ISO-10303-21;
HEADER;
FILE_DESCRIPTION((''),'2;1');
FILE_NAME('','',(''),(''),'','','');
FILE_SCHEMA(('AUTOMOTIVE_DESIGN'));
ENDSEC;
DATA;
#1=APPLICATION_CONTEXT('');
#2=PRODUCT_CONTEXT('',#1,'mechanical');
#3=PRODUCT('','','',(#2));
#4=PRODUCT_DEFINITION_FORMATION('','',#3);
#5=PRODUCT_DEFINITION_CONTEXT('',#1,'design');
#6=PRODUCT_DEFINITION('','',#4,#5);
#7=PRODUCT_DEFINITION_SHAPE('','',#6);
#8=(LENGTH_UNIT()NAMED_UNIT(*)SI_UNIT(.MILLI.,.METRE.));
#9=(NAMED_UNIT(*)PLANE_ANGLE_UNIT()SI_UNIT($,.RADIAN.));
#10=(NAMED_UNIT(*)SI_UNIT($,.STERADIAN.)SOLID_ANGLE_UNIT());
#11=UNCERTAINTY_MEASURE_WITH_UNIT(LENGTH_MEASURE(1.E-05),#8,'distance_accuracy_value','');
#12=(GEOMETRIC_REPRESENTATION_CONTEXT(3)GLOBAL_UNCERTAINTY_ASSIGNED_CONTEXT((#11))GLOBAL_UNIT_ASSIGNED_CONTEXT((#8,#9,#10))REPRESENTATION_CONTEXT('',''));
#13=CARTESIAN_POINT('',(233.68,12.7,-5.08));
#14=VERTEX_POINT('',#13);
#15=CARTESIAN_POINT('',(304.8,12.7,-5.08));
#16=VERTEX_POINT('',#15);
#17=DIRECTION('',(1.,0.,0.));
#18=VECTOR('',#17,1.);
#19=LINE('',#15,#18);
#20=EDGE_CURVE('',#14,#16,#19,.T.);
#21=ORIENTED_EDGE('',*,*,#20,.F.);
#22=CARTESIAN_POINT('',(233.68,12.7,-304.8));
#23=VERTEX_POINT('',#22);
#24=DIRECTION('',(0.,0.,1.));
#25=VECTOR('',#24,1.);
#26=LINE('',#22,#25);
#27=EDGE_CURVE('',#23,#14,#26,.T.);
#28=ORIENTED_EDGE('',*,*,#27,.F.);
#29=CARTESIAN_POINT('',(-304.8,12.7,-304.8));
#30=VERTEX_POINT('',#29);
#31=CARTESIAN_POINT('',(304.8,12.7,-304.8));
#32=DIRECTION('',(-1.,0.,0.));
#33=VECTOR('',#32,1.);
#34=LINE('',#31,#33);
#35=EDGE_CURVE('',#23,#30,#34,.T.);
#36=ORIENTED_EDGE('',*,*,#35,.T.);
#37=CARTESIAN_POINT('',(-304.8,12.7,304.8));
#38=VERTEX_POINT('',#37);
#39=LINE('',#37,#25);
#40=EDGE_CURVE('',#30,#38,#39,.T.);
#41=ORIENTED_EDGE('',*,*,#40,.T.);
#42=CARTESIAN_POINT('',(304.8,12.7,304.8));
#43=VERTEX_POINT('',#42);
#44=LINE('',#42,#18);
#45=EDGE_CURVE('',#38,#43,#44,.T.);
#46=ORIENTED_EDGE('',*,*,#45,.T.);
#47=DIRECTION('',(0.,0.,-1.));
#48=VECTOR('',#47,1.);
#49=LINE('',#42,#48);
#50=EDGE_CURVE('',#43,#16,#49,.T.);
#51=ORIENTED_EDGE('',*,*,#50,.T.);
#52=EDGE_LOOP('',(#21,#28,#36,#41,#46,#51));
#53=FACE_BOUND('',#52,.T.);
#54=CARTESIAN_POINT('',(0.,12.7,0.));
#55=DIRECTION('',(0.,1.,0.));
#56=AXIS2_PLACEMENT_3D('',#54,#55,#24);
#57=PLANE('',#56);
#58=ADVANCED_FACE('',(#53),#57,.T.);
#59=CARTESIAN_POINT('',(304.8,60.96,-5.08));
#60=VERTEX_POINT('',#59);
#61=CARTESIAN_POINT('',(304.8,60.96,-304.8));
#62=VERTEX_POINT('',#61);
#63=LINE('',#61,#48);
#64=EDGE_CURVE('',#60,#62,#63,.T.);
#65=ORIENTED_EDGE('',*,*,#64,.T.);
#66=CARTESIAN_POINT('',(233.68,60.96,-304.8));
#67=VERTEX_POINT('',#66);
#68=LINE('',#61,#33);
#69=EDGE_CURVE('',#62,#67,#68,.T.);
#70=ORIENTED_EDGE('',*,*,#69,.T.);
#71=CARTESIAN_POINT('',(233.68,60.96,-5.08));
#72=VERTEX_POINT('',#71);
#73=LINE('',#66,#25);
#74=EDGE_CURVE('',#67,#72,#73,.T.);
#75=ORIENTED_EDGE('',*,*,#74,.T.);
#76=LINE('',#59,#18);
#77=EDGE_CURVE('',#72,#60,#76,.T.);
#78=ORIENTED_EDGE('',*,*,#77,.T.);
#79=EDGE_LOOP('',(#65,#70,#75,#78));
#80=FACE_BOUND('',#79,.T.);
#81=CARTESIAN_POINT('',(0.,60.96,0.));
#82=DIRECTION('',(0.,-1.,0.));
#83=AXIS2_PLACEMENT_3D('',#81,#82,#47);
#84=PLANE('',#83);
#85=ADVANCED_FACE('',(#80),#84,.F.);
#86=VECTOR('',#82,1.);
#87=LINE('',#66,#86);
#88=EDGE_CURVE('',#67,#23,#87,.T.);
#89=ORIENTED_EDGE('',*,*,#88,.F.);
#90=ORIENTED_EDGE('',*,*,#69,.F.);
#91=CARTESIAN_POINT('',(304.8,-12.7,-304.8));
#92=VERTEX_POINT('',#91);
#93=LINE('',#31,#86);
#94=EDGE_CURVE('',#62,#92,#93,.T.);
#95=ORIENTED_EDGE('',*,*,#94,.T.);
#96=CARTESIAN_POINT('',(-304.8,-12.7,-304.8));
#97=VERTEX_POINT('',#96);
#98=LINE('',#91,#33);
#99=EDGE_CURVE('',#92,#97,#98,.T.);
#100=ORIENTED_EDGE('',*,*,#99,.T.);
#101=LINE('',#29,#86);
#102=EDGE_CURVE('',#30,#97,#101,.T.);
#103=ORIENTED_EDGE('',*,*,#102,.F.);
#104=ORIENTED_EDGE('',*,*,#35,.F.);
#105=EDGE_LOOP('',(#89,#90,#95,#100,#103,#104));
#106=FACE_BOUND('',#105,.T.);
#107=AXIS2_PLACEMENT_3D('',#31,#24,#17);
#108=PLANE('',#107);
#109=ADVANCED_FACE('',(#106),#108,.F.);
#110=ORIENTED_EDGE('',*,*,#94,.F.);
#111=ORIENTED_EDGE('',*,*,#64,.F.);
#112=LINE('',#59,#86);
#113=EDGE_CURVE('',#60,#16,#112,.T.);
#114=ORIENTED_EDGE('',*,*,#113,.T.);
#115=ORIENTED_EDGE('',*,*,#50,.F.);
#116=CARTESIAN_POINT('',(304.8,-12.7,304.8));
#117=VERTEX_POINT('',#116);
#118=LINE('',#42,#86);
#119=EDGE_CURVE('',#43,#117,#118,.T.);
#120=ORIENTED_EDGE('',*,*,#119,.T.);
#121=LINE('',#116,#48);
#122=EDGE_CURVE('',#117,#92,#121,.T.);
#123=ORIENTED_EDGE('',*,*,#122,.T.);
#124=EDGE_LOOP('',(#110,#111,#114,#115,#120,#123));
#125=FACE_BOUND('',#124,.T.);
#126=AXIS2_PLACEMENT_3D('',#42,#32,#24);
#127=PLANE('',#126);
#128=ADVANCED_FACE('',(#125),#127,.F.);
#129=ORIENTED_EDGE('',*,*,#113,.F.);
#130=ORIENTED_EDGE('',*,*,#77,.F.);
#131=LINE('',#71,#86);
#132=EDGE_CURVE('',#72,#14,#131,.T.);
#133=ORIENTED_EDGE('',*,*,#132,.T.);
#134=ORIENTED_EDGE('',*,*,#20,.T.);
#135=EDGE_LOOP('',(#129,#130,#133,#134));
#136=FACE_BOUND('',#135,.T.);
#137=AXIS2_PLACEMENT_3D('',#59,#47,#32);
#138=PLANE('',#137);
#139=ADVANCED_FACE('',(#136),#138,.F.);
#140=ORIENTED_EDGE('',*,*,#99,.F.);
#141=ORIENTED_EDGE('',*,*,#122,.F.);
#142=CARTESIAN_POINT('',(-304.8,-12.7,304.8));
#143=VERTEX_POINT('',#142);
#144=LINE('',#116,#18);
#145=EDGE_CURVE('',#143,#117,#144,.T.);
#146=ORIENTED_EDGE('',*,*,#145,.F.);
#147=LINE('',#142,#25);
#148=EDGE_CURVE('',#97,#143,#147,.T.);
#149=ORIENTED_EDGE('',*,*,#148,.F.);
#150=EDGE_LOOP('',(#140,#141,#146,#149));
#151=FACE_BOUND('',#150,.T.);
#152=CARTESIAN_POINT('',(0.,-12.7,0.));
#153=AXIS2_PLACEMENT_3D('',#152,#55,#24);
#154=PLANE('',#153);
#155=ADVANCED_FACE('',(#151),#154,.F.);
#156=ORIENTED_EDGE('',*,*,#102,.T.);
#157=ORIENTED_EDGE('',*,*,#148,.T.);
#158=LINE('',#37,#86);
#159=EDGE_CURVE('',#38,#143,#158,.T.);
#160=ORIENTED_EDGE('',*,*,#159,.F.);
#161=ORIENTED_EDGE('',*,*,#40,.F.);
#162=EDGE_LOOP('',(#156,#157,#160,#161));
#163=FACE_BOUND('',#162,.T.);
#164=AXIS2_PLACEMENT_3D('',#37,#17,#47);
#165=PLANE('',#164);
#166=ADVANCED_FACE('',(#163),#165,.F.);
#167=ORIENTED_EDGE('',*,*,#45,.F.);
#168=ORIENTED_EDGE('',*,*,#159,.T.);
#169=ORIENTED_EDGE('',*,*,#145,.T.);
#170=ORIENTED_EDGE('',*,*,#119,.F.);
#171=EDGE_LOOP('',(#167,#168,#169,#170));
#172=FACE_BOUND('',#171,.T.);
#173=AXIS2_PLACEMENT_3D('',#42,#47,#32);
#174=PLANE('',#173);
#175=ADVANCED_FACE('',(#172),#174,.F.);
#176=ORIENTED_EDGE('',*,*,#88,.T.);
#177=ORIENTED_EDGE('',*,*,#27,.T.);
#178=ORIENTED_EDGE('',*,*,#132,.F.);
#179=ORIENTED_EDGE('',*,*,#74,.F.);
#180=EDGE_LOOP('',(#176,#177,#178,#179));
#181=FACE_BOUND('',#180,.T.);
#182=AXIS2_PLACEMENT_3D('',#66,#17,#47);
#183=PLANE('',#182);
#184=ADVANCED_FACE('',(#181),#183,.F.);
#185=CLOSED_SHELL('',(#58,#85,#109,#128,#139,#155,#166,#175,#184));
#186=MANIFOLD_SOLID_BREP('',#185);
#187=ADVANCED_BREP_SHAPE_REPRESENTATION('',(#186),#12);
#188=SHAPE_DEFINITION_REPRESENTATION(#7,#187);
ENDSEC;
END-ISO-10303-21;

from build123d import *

# Parameters (mm, degrees)
SKETCH1_W           = 609.6
SKETCH1_H           = 609.6
BOSS_EXTRUDE1_DEPTH = 12.7
SKETCH3_W           = 71.12
SKETCH3_H           = 299.72
BOSS_EXTRUDE2_DEPTH = 48.26


with BuildPart() as part:
    # Sketch1 → Boss-Extrude1 (new, symmetric)
    with BuildSketch(Plane(origin=(0, 0, 0), x_dir=(1, 0, 0), z_dir=(0, 1, 0))):
        Rectangle(SKETCH1_W, SKETCH1_H)
    extrude(amount=BOSS_EXTRUDE1_DEPTH, both=True)

    # Sketch3 → Boss-Extrude2 (add)
    with BuildSketch(Plane(origin=(0, 12.7, 0), x_dir=(1, 0, 0), z_dir=(0, 1, 0))):
        with Locations((269.24, 154.94)):
            Rectangle(SKETCH3_W, SKETCH3_H)
    extrude(amount=BOSS_EXTRUDE2_DEPTH)


solid = part.part
